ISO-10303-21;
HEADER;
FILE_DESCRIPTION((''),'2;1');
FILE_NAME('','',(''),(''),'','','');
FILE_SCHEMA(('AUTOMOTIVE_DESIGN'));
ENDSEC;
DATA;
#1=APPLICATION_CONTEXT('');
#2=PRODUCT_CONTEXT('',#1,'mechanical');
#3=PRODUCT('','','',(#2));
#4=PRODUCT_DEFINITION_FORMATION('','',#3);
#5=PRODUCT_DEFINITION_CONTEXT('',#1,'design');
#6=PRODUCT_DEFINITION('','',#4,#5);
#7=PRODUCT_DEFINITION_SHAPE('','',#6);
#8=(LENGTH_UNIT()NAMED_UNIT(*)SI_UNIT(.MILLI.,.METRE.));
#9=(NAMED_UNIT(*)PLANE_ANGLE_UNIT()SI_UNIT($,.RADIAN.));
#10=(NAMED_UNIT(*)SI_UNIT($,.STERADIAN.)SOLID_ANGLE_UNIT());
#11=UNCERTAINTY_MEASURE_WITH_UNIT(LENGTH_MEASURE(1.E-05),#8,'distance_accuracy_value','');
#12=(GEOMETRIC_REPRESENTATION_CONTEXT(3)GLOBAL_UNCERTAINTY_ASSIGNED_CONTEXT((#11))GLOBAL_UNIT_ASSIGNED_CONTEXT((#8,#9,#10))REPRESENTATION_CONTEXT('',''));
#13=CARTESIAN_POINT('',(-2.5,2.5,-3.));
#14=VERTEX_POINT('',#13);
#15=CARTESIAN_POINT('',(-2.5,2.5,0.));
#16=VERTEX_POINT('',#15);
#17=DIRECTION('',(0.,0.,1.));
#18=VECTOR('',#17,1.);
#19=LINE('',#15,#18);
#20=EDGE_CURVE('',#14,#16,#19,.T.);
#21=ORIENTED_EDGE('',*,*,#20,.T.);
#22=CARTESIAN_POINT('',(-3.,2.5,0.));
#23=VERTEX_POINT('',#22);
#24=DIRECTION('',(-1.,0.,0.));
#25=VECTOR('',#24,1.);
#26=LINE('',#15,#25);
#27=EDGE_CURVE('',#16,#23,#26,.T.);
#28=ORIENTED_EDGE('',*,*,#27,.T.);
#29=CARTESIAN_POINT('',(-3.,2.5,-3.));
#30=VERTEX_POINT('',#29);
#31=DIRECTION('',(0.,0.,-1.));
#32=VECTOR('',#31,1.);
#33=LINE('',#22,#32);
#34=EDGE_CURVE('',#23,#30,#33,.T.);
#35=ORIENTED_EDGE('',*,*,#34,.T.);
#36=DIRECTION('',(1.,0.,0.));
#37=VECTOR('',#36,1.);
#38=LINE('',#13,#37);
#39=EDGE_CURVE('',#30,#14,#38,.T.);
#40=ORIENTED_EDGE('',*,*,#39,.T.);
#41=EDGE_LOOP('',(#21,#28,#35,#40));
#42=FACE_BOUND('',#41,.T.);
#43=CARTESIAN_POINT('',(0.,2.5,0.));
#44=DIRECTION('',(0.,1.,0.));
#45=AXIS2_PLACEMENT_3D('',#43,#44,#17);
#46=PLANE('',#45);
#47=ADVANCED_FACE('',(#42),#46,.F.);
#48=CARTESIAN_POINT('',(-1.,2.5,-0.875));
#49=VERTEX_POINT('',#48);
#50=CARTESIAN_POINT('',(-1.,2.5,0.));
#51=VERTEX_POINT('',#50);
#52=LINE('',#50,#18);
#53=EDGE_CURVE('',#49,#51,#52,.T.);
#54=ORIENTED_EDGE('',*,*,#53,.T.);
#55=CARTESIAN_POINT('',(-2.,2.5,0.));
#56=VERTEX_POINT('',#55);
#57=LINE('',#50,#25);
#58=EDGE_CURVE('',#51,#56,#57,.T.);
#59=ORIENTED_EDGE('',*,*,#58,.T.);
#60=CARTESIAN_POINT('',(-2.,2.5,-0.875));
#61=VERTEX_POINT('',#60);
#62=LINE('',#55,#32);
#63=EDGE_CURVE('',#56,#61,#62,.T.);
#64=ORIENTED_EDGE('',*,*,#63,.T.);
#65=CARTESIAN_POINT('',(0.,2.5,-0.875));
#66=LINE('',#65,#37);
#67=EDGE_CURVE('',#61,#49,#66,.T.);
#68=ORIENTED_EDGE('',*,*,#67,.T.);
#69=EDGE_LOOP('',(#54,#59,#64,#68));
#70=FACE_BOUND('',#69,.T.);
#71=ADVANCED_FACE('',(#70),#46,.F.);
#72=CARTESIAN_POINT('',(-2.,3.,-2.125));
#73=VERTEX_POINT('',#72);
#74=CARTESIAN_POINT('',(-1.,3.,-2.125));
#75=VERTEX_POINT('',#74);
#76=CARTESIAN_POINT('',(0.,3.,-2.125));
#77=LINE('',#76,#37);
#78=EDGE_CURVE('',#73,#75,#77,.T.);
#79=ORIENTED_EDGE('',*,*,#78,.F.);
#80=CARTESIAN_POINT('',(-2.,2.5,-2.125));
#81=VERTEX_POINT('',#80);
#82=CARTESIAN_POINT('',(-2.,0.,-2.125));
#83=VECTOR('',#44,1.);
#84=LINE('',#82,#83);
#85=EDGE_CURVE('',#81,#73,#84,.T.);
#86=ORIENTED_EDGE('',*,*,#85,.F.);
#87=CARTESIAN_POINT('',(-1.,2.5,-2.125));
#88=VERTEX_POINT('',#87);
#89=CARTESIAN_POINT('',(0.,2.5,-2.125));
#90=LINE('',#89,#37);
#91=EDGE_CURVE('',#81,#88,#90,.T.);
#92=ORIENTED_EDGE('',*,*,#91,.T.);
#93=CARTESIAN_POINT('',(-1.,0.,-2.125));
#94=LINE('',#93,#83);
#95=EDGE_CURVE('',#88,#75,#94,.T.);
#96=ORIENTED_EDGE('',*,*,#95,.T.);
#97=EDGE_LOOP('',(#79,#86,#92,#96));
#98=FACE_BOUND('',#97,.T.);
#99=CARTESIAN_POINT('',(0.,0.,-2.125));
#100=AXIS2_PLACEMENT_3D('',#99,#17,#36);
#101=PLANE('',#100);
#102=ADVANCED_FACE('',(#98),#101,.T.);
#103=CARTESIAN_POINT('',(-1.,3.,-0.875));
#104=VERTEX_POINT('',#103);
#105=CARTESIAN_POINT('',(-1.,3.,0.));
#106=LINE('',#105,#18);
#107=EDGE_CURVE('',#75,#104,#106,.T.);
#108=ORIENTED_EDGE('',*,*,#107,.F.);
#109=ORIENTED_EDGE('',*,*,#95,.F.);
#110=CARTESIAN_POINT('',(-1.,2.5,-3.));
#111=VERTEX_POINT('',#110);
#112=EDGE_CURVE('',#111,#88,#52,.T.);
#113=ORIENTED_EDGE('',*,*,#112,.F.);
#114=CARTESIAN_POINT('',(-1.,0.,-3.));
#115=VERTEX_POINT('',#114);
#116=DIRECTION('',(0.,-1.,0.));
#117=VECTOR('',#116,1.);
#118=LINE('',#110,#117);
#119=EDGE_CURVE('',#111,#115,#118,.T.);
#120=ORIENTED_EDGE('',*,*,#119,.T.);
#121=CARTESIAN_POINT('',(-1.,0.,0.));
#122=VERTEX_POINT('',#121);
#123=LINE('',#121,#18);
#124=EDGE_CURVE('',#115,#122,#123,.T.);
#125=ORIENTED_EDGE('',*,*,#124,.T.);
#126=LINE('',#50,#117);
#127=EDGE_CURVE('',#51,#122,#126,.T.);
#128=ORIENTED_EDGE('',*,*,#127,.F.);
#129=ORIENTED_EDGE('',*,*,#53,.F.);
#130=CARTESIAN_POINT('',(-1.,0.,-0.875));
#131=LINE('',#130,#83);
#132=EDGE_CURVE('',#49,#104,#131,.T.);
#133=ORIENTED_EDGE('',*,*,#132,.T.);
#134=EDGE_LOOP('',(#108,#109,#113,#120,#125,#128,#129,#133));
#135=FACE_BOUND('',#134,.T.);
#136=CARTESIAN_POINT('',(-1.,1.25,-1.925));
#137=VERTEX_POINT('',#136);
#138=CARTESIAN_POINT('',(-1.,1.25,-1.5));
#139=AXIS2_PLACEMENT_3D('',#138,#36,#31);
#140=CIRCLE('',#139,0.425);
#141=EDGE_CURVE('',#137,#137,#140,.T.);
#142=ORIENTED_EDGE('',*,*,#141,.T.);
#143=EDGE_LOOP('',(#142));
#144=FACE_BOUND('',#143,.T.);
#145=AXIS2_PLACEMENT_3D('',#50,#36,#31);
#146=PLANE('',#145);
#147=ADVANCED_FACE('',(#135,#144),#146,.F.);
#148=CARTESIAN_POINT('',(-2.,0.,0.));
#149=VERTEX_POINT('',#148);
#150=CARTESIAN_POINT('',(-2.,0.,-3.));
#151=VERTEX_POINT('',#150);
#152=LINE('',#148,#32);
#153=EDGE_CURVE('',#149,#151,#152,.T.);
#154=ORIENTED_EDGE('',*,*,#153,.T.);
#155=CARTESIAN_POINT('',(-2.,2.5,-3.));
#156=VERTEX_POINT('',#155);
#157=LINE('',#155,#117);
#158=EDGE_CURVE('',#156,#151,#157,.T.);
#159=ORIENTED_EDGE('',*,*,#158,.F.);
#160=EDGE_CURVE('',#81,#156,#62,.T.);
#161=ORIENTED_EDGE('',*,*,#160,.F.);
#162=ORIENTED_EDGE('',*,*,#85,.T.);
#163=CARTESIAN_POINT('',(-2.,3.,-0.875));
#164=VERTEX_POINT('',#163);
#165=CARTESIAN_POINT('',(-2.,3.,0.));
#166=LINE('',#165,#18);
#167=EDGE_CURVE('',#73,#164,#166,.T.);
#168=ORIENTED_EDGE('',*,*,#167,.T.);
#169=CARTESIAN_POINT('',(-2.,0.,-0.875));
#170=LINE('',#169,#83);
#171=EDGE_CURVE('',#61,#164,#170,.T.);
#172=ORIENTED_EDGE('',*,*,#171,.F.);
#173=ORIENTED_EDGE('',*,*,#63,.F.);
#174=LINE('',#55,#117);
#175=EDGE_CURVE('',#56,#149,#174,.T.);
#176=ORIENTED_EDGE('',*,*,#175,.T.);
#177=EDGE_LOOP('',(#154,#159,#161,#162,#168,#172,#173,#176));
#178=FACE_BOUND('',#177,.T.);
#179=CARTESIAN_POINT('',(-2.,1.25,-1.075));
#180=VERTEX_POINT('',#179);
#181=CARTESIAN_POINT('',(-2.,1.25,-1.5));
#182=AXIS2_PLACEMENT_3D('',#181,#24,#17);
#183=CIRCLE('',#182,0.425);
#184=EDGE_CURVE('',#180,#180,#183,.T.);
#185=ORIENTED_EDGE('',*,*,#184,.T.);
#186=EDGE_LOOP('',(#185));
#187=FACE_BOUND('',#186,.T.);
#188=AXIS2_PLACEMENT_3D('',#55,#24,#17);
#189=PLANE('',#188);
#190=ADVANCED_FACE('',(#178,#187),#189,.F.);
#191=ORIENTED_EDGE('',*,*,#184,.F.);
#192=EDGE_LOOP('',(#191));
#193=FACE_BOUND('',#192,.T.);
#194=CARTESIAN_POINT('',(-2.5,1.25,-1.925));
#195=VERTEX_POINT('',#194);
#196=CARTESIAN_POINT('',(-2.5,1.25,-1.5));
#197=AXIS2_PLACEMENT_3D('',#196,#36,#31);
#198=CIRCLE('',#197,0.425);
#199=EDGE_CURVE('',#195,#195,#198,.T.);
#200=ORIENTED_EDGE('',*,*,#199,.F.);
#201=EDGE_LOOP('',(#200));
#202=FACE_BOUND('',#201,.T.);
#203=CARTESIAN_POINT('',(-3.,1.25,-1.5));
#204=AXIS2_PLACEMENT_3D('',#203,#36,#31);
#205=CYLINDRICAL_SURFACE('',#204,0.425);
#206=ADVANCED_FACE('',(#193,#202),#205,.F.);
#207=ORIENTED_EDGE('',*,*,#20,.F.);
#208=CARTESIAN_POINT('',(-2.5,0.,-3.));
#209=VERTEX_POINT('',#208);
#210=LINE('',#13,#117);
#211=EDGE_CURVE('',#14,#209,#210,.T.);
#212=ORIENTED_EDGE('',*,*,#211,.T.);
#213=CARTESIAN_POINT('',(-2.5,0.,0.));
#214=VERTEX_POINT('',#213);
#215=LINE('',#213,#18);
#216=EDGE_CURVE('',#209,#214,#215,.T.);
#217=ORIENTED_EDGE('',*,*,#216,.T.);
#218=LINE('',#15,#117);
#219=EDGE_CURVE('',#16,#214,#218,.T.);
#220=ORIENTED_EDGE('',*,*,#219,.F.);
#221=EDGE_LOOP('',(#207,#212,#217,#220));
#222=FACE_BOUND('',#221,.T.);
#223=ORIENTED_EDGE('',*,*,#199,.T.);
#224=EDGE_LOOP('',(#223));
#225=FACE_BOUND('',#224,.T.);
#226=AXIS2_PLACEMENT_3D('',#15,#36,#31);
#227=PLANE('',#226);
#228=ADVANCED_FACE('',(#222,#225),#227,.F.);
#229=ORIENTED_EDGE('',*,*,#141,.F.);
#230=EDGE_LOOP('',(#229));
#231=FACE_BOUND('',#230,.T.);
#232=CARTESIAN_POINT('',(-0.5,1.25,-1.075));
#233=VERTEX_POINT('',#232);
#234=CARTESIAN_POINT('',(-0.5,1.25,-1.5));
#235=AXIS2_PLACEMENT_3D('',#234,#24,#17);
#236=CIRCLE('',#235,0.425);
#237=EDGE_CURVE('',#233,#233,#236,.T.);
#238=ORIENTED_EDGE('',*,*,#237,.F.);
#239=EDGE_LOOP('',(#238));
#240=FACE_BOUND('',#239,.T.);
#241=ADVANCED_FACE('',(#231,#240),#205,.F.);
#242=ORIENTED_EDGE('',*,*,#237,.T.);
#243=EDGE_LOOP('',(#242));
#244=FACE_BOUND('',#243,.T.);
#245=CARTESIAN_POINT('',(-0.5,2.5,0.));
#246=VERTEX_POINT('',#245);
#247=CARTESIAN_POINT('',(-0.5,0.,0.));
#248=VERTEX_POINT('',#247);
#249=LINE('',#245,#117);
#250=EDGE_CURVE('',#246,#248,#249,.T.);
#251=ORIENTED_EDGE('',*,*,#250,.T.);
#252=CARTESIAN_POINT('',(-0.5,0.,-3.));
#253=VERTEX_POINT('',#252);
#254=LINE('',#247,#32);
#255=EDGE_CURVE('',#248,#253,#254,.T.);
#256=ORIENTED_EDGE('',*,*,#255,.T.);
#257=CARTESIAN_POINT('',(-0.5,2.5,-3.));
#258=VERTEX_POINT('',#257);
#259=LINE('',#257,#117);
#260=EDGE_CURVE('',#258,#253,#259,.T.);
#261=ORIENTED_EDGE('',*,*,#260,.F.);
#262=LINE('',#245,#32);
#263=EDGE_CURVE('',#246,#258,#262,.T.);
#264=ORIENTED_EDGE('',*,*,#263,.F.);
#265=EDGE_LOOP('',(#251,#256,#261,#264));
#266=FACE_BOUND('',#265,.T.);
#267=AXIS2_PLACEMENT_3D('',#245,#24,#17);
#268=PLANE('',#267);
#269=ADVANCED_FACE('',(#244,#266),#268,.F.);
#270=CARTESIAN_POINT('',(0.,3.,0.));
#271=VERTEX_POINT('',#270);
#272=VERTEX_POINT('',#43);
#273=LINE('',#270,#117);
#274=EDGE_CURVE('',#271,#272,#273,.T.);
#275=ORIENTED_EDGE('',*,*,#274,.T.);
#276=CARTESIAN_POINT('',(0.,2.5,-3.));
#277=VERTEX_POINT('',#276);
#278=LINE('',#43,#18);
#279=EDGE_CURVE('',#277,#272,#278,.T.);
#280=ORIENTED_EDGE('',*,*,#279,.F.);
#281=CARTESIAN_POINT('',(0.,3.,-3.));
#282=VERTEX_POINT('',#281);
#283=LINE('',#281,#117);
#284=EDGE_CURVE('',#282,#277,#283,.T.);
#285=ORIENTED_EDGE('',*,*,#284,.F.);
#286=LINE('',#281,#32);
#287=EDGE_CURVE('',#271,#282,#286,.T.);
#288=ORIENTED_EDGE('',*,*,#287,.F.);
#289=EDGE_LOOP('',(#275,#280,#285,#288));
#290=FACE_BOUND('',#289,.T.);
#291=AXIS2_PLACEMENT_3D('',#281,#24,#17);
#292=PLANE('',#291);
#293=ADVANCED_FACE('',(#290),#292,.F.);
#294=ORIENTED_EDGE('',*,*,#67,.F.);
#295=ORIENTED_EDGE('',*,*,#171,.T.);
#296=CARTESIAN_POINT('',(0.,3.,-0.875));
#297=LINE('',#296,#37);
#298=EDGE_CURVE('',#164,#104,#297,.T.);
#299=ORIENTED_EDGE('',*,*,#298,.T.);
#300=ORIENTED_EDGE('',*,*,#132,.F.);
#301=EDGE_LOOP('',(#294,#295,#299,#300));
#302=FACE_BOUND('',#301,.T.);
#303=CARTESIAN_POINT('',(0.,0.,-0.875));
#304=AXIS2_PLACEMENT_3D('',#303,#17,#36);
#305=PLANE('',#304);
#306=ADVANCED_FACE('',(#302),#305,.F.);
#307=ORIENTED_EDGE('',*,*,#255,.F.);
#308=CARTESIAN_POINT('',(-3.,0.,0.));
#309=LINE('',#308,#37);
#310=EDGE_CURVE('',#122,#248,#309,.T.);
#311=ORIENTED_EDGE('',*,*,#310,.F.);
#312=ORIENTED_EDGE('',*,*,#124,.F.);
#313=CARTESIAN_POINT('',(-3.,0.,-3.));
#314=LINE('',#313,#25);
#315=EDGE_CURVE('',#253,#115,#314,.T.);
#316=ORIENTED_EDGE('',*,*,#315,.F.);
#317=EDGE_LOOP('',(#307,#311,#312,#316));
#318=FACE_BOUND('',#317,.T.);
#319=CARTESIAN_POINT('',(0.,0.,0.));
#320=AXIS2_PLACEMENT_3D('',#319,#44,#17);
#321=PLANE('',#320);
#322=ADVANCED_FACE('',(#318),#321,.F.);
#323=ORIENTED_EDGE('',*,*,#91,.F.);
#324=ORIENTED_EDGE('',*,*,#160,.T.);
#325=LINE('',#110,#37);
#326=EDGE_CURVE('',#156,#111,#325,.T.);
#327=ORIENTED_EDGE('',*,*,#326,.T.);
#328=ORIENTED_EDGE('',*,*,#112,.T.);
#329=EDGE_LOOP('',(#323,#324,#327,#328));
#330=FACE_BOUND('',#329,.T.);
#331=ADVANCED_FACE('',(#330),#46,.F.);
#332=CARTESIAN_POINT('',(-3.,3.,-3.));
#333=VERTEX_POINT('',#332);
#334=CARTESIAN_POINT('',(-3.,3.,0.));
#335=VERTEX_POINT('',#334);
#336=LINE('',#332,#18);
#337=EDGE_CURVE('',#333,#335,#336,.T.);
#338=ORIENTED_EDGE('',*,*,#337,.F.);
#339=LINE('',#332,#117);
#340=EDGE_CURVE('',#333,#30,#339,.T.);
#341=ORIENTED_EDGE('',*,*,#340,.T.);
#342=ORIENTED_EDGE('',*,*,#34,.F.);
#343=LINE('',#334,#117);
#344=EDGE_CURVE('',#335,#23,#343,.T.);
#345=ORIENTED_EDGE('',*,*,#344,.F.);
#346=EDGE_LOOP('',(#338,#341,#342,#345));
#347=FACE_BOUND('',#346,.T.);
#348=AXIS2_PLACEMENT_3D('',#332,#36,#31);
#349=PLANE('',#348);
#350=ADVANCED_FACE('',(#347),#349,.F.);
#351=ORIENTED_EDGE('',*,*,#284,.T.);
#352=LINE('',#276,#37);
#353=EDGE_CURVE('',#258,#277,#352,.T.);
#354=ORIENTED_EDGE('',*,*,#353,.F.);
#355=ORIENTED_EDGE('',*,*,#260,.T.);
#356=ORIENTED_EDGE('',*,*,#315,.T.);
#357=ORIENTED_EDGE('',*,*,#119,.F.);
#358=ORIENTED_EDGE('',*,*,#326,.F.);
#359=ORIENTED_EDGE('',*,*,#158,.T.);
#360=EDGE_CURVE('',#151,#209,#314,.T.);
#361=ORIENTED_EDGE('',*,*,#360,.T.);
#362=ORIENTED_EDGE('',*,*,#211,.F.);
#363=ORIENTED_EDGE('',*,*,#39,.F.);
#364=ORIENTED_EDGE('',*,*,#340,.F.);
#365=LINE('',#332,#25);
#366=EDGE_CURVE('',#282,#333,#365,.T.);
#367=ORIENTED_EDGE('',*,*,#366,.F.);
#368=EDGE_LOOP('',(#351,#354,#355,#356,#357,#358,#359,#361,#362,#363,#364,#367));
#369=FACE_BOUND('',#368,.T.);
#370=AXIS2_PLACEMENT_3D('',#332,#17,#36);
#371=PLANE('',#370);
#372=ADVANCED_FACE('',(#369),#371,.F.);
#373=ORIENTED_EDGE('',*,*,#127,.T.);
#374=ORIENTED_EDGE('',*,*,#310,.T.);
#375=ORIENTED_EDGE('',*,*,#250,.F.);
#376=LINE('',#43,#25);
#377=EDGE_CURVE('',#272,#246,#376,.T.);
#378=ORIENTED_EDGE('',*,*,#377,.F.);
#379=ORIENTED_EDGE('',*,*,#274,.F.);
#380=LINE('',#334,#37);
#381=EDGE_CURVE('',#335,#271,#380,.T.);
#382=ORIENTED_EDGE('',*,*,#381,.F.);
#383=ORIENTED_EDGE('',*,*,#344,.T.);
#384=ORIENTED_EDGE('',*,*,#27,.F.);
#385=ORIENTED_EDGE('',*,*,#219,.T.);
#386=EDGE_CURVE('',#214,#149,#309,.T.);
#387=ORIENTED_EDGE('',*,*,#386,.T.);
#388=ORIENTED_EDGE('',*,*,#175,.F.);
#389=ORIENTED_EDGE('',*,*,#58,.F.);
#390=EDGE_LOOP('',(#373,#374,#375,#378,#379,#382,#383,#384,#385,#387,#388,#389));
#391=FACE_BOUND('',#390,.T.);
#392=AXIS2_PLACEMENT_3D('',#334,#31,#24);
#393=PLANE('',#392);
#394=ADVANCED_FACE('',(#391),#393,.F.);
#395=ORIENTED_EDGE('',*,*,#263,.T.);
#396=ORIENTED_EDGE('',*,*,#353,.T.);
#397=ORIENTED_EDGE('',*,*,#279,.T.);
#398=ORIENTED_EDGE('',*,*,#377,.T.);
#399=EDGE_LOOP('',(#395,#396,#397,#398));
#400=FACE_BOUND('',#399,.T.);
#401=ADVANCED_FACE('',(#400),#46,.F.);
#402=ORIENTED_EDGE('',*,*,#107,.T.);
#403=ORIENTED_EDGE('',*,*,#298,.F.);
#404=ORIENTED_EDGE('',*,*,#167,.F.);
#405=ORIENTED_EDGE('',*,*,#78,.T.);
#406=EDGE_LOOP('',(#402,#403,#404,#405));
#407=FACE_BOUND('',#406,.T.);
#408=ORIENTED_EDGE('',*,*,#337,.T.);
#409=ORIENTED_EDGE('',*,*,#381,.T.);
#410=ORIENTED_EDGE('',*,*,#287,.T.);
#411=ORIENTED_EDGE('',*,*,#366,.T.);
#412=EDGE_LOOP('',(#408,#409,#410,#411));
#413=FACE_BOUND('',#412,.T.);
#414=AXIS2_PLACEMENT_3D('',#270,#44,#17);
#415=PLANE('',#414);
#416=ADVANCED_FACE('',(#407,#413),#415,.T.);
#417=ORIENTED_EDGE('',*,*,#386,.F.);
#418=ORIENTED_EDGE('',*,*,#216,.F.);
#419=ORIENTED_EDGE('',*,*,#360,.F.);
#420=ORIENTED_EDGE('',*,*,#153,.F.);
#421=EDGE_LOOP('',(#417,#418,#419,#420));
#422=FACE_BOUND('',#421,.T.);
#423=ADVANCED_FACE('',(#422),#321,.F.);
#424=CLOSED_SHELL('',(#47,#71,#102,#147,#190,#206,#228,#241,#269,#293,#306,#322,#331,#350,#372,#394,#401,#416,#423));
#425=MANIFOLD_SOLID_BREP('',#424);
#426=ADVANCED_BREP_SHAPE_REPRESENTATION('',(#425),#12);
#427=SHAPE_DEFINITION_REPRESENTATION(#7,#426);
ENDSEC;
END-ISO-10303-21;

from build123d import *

# Parameters (mm, degrees)
SKETCH2_W               = 3
SKETCH2_H               = 3
BOSS_EXTRUDE1_DEPTH     = 3
SKETCH3_W               = 1
SKETCH3_H               = 3
SKETCH3_W_2             = 0.5
CUT_EXTRUDE1_DEPTH      = 2.5
SKETCH5_R               = 0.425
CUT_EXTRUDE2_DEPTH      = 1.5
CUT_EXTRUDE2_DEPTH_BACK = 3.5
SKETCH6_W               = 1
SKETCH6_H               = 1.25
CUT_EXTRUDE3_DEPTH      = 1
CUT_EXTRUDE3_DEPTH_BACK = 4


with BuildPart() as part:
    # Sketch2 → Boss-Extrude1 (new body)
    with BuildSketch(Plane(origin=(0, 0, 0), x_dir=(1, 0, 0), z_dir=(0, 1, 0))):
        with Locations((-1.5, 1.5)):
            Rectangle(SKETCH2_W, SKETCH2_H)
    extrude(amount=BOSS_EXTRUDE1_DEPTH)

    # Sketch3 → Cut-Extrude1 (cut)
    with BuildSketch(Plane(origin=(0, 0, 0), x_dir=(-1, 0, 0), z_dir=(0, -1, 0))):
        with Locations((1.5, 1.5)):
            Rectangle(SKETCH3_W, SKETCH3_H)
        with Locations((0.25, 1.5)):
            Rectangle(SKETCH3_W_2, SKETCH3_H)
        with Locations((2.75, 1.5)):
            Rectangle(SKETCH3_W_2, SKETCH3_H)
    extrude(amount=-CUT_EXTRUDE1_DEPTH, mode=Mode.SUBTRACT)

    # Sketch5 → Cut-Extrude2 (cut, two sides)
    with BuildSketch(Plane(origin=(-0.5, 0, 0), x_dir=(0, 0, -1), z_dir=(1, 0, 0))) as cut_extrude2_sk:
        with Locations((1.5, 1.25)):
            Circle(SKETCH5_R)
    extrude(amount=CUT_EXTRUDE2_DEPTH, mode=Mode.SUBTRACT)
    extrude(cut_extrude2_sk.sketch, amount=-CUT_EXTRUDE2_DEPTH_BACK, mode=Mode.SUBTRACT)

    # Sketch6 → Cut-Extrude3 (cut, two sides)
    with BuildSketch(Plane(origin=(0, 3, 0), x_dir=(1, 0, 0), z_dir=(0, 1, 0))) as cut_extrude3_sk:
        with Locations((-1.5, 1.5)):
            Rectangle(SKETCH6_W, SKETCH6_H)
    extrude(amount=CUT_EXTRUDE3_DEPTH, mode=Mode.SUBTRACT)
    extrude(cut_extrude3_sk.sketch, amount=-CUT_EXTRUDE3_DEPTH_BACK, mode=Mode.SUBTRACT)


solid = part.part
